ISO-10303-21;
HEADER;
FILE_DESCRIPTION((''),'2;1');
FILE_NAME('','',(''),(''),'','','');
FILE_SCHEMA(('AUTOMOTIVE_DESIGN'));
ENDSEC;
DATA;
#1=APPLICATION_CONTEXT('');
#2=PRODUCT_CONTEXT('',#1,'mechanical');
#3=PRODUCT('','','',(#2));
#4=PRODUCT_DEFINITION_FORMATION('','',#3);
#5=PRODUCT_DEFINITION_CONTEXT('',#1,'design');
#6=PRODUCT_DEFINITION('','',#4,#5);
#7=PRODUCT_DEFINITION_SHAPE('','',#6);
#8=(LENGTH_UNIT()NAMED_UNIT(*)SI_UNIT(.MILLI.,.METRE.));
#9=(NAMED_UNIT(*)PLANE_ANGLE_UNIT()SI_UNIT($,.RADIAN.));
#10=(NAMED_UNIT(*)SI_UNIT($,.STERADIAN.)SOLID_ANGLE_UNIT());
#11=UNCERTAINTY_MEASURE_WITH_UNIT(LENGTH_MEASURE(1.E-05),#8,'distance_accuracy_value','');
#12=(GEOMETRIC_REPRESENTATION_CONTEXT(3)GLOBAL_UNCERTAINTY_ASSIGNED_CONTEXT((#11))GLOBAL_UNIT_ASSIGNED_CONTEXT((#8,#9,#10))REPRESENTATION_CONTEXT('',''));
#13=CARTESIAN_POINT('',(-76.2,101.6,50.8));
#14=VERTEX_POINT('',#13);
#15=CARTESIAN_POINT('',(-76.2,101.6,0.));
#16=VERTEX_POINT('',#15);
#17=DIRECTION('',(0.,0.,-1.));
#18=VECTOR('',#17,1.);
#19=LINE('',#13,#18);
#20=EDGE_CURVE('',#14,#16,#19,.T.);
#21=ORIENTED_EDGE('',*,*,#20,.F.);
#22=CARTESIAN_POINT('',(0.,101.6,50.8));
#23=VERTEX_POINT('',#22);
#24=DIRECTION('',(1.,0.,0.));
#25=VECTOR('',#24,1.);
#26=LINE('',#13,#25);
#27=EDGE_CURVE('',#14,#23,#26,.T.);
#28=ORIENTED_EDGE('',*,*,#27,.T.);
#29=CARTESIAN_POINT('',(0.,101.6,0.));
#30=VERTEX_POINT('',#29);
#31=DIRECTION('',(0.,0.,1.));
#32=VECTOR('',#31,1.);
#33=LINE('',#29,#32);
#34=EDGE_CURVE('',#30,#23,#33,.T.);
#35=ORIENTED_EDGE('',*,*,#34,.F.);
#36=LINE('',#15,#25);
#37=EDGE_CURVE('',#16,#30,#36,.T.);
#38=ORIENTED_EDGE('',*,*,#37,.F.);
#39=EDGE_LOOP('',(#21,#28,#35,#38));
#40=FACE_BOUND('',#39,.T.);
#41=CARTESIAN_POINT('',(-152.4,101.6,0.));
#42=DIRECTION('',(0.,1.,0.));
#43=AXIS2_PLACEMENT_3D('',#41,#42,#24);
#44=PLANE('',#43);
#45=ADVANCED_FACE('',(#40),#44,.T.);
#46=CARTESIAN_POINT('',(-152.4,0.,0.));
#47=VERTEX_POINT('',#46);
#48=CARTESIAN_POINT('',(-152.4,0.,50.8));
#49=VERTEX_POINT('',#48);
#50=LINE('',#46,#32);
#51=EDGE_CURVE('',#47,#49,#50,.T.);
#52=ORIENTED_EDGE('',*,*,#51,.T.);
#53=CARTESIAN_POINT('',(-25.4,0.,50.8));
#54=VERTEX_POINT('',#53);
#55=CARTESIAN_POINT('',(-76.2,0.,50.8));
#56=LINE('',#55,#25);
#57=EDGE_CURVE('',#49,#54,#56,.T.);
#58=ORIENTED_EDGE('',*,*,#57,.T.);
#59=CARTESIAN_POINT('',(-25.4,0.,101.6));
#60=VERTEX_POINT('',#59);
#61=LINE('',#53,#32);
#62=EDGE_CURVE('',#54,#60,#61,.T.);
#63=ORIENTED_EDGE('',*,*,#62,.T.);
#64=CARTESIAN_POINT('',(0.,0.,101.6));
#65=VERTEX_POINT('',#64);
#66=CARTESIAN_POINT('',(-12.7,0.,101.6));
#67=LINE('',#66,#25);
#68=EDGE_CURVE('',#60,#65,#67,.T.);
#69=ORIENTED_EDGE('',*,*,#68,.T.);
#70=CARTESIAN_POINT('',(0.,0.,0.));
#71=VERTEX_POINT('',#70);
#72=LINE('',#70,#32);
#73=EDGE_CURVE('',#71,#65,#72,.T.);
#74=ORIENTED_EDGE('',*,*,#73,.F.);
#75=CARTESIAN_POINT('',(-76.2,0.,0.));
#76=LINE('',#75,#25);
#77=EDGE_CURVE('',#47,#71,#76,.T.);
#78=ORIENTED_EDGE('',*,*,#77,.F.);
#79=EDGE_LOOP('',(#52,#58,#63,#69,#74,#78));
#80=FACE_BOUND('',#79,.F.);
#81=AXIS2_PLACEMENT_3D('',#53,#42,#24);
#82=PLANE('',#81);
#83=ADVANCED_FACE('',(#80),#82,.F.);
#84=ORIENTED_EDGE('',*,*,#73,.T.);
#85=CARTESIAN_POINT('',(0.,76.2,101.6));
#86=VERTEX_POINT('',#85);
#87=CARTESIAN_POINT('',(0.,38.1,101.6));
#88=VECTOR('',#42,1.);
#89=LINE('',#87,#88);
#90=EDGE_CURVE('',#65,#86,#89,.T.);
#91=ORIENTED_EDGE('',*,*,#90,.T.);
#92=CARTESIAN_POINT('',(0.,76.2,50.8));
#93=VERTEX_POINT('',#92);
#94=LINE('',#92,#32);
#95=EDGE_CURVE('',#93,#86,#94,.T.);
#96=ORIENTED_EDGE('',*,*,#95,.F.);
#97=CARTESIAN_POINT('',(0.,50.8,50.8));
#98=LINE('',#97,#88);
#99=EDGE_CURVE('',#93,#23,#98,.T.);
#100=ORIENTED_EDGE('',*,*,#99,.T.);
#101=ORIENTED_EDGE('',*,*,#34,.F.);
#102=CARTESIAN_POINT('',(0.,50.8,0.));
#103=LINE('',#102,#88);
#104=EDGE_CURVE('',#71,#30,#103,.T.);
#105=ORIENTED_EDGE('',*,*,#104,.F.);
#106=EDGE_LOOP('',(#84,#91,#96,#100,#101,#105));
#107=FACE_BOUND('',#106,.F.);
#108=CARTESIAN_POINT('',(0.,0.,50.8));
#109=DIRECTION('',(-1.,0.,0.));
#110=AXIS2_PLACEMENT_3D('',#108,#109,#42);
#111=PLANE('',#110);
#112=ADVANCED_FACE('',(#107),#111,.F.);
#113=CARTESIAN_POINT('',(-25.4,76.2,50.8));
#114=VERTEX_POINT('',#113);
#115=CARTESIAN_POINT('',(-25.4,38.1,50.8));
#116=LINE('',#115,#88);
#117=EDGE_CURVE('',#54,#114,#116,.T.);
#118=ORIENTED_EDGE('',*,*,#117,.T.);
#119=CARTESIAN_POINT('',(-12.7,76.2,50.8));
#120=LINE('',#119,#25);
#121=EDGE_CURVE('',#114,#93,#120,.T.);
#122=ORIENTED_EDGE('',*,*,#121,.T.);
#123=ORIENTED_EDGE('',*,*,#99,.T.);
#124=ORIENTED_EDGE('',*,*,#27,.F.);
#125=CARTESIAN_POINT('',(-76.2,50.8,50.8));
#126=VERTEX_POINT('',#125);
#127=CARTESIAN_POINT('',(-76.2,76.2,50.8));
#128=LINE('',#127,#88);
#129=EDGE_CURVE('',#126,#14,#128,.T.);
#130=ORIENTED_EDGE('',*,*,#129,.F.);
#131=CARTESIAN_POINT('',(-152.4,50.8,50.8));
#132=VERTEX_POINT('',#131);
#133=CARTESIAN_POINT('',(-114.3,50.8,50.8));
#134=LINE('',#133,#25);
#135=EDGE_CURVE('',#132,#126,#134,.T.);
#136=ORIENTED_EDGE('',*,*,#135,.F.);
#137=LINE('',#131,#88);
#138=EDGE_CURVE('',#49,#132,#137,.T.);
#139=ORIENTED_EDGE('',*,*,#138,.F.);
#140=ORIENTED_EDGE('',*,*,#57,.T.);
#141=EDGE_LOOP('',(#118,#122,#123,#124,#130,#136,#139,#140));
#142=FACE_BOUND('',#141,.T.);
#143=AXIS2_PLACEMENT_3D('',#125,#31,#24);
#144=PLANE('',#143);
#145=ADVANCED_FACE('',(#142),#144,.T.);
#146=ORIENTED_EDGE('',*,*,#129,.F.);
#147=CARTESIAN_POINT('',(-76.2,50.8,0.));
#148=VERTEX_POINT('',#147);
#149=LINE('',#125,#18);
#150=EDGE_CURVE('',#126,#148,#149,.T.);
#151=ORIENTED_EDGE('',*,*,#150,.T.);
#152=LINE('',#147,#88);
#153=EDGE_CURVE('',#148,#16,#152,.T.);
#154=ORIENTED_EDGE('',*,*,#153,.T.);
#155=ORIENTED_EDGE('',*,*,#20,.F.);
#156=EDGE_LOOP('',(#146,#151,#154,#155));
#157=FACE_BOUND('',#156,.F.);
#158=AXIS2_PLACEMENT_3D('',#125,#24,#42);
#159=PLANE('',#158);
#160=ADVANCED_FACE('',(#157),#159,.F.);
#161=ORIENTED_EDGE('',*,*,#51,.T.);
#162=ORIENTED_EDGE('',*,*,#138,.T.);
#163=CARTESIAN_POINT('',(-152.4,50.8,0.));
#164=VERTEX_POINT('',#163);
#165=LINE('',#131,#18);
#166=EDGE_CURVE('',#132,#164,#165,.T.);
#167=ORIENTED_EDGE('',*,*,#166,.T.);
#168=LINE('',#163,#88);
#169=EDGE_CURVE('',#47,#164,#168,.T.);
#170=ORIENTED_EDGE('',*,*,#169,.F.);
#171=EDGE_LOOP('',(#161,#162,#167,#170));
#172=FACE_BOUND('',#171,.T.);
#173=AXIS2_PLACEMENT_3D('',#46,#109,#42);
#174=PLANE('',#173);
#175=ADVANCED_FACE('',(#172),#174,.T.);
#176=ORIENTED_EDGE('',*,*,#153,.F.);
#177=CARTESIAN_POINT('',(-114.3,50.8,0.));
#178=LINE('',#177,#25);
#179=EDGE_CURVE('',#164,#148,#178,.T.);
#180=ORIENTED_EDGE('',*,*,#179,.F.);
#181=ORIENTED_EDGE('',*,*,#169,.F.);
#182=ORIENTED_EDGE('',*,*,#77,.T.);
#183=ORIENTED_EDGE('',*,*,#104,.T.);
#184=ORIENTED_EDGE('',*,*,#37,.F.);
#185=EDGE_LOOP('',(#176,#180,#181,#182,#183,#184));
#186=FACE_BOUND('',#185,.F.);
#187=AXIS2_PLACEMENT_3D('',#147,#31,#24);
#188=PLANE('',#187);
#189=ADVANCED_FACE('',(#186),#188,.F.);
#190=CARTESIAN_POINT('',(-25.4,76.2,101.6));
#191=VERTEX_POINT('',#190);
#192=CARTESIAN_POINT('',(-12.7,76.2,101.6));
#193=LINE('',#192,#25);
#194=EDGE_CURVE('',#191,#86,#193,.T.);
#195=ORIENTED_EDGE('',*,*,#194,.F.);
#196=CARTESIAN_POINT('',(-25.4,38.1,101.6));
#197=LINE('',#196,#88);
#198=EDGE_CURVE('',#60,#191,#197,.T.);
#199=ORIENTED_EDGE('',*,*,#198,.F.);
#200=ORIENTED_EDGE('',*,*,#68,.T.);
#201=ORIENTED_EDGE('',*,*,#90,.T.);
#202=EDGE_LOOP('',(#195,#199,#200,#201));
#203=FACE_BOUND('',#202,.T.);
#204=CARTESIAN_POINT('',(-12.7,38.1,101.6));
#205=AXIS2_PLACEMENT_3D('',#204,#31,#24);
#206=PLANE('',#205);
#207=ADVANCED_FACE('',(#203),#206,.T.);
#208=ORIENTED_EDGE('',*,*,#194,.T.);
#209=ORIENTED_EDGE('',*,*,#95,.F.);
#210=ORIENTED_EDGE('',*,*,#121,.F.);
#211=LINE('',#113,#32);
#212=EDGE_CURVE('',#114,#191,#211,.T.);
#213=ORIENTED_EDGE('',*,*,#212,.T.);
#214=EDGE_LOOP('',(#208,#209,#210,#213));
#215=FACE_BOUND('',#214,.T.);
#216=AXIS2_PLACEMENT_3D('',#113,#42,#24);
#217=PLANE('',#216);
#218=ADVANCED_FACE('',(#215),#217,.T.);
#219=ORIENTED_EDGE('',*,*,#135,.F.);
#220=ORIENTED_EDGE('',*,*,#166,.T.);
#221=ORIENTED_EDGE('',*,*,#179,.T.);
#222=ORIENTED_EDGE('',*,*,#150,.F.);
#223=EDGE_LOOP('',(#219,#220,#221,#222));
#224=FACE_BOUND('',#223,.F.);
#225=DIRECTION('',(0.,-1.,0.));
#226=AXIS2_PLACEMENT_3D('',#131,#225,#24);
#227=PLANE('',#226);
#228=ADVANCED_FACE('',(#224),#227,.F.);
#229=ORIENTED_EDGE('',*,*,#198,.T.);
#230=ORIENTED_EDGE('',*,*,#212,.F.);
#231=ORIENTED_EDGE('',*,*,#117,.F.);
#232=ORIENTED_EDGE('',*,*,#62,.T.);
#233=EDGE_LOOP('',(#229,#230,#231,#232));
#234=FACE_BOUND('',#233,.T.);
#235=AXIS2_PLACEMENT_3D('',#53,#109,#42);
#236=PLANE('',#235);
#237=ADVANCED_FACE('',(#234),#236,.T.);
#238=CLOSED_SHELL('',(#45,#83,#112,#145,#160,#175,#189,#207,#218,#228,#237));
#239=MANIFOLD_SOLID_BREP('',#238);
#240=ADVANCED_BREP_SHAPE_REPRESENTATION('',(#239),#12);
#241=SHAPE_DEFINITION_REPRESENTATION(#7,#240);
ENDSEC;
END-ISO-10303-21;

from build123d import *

# Parameters (mm, degrees)
F0_W     = 152.4
F0_H     = 101.6
F1_DEPTH = 50.8
F2_W     = 25.4
F2_H     = 76.2
F3_DEPTH = 50.8
F4_W     = 76.2
F4_H     = 50.8
F5_DEPTH = 50.801


with BuildPart() as f1:
    # F0 (on Top) → F1 (new body)
    with BuildSketch(Plane.XY):
        with Locations((-76.2, 50.8)):
            Rectangle(F0_W, F0_H)
    extrude(amount=F1_DEPTH)

    # F2 (on face) → F3 (join)
    with BuildSketch(Plane.XY.offset(50.8)):
        with Locations((-12.7, 38.1)):
            Rectangle(F2_W, F2_H)
    extrude(amount=F3_DEPTH)

    # F4 (on face) → F5 (cut, through all)
    with BuildSketch(Plane.XY.offset(50.8)):
        with Locations((-114.3, 76.2)):
            Rectangle(F4_W, F4_H)
    extrude(amount=-F5_DEPTH, mode=Mode.SUBTRACT)


solid = f1.part
